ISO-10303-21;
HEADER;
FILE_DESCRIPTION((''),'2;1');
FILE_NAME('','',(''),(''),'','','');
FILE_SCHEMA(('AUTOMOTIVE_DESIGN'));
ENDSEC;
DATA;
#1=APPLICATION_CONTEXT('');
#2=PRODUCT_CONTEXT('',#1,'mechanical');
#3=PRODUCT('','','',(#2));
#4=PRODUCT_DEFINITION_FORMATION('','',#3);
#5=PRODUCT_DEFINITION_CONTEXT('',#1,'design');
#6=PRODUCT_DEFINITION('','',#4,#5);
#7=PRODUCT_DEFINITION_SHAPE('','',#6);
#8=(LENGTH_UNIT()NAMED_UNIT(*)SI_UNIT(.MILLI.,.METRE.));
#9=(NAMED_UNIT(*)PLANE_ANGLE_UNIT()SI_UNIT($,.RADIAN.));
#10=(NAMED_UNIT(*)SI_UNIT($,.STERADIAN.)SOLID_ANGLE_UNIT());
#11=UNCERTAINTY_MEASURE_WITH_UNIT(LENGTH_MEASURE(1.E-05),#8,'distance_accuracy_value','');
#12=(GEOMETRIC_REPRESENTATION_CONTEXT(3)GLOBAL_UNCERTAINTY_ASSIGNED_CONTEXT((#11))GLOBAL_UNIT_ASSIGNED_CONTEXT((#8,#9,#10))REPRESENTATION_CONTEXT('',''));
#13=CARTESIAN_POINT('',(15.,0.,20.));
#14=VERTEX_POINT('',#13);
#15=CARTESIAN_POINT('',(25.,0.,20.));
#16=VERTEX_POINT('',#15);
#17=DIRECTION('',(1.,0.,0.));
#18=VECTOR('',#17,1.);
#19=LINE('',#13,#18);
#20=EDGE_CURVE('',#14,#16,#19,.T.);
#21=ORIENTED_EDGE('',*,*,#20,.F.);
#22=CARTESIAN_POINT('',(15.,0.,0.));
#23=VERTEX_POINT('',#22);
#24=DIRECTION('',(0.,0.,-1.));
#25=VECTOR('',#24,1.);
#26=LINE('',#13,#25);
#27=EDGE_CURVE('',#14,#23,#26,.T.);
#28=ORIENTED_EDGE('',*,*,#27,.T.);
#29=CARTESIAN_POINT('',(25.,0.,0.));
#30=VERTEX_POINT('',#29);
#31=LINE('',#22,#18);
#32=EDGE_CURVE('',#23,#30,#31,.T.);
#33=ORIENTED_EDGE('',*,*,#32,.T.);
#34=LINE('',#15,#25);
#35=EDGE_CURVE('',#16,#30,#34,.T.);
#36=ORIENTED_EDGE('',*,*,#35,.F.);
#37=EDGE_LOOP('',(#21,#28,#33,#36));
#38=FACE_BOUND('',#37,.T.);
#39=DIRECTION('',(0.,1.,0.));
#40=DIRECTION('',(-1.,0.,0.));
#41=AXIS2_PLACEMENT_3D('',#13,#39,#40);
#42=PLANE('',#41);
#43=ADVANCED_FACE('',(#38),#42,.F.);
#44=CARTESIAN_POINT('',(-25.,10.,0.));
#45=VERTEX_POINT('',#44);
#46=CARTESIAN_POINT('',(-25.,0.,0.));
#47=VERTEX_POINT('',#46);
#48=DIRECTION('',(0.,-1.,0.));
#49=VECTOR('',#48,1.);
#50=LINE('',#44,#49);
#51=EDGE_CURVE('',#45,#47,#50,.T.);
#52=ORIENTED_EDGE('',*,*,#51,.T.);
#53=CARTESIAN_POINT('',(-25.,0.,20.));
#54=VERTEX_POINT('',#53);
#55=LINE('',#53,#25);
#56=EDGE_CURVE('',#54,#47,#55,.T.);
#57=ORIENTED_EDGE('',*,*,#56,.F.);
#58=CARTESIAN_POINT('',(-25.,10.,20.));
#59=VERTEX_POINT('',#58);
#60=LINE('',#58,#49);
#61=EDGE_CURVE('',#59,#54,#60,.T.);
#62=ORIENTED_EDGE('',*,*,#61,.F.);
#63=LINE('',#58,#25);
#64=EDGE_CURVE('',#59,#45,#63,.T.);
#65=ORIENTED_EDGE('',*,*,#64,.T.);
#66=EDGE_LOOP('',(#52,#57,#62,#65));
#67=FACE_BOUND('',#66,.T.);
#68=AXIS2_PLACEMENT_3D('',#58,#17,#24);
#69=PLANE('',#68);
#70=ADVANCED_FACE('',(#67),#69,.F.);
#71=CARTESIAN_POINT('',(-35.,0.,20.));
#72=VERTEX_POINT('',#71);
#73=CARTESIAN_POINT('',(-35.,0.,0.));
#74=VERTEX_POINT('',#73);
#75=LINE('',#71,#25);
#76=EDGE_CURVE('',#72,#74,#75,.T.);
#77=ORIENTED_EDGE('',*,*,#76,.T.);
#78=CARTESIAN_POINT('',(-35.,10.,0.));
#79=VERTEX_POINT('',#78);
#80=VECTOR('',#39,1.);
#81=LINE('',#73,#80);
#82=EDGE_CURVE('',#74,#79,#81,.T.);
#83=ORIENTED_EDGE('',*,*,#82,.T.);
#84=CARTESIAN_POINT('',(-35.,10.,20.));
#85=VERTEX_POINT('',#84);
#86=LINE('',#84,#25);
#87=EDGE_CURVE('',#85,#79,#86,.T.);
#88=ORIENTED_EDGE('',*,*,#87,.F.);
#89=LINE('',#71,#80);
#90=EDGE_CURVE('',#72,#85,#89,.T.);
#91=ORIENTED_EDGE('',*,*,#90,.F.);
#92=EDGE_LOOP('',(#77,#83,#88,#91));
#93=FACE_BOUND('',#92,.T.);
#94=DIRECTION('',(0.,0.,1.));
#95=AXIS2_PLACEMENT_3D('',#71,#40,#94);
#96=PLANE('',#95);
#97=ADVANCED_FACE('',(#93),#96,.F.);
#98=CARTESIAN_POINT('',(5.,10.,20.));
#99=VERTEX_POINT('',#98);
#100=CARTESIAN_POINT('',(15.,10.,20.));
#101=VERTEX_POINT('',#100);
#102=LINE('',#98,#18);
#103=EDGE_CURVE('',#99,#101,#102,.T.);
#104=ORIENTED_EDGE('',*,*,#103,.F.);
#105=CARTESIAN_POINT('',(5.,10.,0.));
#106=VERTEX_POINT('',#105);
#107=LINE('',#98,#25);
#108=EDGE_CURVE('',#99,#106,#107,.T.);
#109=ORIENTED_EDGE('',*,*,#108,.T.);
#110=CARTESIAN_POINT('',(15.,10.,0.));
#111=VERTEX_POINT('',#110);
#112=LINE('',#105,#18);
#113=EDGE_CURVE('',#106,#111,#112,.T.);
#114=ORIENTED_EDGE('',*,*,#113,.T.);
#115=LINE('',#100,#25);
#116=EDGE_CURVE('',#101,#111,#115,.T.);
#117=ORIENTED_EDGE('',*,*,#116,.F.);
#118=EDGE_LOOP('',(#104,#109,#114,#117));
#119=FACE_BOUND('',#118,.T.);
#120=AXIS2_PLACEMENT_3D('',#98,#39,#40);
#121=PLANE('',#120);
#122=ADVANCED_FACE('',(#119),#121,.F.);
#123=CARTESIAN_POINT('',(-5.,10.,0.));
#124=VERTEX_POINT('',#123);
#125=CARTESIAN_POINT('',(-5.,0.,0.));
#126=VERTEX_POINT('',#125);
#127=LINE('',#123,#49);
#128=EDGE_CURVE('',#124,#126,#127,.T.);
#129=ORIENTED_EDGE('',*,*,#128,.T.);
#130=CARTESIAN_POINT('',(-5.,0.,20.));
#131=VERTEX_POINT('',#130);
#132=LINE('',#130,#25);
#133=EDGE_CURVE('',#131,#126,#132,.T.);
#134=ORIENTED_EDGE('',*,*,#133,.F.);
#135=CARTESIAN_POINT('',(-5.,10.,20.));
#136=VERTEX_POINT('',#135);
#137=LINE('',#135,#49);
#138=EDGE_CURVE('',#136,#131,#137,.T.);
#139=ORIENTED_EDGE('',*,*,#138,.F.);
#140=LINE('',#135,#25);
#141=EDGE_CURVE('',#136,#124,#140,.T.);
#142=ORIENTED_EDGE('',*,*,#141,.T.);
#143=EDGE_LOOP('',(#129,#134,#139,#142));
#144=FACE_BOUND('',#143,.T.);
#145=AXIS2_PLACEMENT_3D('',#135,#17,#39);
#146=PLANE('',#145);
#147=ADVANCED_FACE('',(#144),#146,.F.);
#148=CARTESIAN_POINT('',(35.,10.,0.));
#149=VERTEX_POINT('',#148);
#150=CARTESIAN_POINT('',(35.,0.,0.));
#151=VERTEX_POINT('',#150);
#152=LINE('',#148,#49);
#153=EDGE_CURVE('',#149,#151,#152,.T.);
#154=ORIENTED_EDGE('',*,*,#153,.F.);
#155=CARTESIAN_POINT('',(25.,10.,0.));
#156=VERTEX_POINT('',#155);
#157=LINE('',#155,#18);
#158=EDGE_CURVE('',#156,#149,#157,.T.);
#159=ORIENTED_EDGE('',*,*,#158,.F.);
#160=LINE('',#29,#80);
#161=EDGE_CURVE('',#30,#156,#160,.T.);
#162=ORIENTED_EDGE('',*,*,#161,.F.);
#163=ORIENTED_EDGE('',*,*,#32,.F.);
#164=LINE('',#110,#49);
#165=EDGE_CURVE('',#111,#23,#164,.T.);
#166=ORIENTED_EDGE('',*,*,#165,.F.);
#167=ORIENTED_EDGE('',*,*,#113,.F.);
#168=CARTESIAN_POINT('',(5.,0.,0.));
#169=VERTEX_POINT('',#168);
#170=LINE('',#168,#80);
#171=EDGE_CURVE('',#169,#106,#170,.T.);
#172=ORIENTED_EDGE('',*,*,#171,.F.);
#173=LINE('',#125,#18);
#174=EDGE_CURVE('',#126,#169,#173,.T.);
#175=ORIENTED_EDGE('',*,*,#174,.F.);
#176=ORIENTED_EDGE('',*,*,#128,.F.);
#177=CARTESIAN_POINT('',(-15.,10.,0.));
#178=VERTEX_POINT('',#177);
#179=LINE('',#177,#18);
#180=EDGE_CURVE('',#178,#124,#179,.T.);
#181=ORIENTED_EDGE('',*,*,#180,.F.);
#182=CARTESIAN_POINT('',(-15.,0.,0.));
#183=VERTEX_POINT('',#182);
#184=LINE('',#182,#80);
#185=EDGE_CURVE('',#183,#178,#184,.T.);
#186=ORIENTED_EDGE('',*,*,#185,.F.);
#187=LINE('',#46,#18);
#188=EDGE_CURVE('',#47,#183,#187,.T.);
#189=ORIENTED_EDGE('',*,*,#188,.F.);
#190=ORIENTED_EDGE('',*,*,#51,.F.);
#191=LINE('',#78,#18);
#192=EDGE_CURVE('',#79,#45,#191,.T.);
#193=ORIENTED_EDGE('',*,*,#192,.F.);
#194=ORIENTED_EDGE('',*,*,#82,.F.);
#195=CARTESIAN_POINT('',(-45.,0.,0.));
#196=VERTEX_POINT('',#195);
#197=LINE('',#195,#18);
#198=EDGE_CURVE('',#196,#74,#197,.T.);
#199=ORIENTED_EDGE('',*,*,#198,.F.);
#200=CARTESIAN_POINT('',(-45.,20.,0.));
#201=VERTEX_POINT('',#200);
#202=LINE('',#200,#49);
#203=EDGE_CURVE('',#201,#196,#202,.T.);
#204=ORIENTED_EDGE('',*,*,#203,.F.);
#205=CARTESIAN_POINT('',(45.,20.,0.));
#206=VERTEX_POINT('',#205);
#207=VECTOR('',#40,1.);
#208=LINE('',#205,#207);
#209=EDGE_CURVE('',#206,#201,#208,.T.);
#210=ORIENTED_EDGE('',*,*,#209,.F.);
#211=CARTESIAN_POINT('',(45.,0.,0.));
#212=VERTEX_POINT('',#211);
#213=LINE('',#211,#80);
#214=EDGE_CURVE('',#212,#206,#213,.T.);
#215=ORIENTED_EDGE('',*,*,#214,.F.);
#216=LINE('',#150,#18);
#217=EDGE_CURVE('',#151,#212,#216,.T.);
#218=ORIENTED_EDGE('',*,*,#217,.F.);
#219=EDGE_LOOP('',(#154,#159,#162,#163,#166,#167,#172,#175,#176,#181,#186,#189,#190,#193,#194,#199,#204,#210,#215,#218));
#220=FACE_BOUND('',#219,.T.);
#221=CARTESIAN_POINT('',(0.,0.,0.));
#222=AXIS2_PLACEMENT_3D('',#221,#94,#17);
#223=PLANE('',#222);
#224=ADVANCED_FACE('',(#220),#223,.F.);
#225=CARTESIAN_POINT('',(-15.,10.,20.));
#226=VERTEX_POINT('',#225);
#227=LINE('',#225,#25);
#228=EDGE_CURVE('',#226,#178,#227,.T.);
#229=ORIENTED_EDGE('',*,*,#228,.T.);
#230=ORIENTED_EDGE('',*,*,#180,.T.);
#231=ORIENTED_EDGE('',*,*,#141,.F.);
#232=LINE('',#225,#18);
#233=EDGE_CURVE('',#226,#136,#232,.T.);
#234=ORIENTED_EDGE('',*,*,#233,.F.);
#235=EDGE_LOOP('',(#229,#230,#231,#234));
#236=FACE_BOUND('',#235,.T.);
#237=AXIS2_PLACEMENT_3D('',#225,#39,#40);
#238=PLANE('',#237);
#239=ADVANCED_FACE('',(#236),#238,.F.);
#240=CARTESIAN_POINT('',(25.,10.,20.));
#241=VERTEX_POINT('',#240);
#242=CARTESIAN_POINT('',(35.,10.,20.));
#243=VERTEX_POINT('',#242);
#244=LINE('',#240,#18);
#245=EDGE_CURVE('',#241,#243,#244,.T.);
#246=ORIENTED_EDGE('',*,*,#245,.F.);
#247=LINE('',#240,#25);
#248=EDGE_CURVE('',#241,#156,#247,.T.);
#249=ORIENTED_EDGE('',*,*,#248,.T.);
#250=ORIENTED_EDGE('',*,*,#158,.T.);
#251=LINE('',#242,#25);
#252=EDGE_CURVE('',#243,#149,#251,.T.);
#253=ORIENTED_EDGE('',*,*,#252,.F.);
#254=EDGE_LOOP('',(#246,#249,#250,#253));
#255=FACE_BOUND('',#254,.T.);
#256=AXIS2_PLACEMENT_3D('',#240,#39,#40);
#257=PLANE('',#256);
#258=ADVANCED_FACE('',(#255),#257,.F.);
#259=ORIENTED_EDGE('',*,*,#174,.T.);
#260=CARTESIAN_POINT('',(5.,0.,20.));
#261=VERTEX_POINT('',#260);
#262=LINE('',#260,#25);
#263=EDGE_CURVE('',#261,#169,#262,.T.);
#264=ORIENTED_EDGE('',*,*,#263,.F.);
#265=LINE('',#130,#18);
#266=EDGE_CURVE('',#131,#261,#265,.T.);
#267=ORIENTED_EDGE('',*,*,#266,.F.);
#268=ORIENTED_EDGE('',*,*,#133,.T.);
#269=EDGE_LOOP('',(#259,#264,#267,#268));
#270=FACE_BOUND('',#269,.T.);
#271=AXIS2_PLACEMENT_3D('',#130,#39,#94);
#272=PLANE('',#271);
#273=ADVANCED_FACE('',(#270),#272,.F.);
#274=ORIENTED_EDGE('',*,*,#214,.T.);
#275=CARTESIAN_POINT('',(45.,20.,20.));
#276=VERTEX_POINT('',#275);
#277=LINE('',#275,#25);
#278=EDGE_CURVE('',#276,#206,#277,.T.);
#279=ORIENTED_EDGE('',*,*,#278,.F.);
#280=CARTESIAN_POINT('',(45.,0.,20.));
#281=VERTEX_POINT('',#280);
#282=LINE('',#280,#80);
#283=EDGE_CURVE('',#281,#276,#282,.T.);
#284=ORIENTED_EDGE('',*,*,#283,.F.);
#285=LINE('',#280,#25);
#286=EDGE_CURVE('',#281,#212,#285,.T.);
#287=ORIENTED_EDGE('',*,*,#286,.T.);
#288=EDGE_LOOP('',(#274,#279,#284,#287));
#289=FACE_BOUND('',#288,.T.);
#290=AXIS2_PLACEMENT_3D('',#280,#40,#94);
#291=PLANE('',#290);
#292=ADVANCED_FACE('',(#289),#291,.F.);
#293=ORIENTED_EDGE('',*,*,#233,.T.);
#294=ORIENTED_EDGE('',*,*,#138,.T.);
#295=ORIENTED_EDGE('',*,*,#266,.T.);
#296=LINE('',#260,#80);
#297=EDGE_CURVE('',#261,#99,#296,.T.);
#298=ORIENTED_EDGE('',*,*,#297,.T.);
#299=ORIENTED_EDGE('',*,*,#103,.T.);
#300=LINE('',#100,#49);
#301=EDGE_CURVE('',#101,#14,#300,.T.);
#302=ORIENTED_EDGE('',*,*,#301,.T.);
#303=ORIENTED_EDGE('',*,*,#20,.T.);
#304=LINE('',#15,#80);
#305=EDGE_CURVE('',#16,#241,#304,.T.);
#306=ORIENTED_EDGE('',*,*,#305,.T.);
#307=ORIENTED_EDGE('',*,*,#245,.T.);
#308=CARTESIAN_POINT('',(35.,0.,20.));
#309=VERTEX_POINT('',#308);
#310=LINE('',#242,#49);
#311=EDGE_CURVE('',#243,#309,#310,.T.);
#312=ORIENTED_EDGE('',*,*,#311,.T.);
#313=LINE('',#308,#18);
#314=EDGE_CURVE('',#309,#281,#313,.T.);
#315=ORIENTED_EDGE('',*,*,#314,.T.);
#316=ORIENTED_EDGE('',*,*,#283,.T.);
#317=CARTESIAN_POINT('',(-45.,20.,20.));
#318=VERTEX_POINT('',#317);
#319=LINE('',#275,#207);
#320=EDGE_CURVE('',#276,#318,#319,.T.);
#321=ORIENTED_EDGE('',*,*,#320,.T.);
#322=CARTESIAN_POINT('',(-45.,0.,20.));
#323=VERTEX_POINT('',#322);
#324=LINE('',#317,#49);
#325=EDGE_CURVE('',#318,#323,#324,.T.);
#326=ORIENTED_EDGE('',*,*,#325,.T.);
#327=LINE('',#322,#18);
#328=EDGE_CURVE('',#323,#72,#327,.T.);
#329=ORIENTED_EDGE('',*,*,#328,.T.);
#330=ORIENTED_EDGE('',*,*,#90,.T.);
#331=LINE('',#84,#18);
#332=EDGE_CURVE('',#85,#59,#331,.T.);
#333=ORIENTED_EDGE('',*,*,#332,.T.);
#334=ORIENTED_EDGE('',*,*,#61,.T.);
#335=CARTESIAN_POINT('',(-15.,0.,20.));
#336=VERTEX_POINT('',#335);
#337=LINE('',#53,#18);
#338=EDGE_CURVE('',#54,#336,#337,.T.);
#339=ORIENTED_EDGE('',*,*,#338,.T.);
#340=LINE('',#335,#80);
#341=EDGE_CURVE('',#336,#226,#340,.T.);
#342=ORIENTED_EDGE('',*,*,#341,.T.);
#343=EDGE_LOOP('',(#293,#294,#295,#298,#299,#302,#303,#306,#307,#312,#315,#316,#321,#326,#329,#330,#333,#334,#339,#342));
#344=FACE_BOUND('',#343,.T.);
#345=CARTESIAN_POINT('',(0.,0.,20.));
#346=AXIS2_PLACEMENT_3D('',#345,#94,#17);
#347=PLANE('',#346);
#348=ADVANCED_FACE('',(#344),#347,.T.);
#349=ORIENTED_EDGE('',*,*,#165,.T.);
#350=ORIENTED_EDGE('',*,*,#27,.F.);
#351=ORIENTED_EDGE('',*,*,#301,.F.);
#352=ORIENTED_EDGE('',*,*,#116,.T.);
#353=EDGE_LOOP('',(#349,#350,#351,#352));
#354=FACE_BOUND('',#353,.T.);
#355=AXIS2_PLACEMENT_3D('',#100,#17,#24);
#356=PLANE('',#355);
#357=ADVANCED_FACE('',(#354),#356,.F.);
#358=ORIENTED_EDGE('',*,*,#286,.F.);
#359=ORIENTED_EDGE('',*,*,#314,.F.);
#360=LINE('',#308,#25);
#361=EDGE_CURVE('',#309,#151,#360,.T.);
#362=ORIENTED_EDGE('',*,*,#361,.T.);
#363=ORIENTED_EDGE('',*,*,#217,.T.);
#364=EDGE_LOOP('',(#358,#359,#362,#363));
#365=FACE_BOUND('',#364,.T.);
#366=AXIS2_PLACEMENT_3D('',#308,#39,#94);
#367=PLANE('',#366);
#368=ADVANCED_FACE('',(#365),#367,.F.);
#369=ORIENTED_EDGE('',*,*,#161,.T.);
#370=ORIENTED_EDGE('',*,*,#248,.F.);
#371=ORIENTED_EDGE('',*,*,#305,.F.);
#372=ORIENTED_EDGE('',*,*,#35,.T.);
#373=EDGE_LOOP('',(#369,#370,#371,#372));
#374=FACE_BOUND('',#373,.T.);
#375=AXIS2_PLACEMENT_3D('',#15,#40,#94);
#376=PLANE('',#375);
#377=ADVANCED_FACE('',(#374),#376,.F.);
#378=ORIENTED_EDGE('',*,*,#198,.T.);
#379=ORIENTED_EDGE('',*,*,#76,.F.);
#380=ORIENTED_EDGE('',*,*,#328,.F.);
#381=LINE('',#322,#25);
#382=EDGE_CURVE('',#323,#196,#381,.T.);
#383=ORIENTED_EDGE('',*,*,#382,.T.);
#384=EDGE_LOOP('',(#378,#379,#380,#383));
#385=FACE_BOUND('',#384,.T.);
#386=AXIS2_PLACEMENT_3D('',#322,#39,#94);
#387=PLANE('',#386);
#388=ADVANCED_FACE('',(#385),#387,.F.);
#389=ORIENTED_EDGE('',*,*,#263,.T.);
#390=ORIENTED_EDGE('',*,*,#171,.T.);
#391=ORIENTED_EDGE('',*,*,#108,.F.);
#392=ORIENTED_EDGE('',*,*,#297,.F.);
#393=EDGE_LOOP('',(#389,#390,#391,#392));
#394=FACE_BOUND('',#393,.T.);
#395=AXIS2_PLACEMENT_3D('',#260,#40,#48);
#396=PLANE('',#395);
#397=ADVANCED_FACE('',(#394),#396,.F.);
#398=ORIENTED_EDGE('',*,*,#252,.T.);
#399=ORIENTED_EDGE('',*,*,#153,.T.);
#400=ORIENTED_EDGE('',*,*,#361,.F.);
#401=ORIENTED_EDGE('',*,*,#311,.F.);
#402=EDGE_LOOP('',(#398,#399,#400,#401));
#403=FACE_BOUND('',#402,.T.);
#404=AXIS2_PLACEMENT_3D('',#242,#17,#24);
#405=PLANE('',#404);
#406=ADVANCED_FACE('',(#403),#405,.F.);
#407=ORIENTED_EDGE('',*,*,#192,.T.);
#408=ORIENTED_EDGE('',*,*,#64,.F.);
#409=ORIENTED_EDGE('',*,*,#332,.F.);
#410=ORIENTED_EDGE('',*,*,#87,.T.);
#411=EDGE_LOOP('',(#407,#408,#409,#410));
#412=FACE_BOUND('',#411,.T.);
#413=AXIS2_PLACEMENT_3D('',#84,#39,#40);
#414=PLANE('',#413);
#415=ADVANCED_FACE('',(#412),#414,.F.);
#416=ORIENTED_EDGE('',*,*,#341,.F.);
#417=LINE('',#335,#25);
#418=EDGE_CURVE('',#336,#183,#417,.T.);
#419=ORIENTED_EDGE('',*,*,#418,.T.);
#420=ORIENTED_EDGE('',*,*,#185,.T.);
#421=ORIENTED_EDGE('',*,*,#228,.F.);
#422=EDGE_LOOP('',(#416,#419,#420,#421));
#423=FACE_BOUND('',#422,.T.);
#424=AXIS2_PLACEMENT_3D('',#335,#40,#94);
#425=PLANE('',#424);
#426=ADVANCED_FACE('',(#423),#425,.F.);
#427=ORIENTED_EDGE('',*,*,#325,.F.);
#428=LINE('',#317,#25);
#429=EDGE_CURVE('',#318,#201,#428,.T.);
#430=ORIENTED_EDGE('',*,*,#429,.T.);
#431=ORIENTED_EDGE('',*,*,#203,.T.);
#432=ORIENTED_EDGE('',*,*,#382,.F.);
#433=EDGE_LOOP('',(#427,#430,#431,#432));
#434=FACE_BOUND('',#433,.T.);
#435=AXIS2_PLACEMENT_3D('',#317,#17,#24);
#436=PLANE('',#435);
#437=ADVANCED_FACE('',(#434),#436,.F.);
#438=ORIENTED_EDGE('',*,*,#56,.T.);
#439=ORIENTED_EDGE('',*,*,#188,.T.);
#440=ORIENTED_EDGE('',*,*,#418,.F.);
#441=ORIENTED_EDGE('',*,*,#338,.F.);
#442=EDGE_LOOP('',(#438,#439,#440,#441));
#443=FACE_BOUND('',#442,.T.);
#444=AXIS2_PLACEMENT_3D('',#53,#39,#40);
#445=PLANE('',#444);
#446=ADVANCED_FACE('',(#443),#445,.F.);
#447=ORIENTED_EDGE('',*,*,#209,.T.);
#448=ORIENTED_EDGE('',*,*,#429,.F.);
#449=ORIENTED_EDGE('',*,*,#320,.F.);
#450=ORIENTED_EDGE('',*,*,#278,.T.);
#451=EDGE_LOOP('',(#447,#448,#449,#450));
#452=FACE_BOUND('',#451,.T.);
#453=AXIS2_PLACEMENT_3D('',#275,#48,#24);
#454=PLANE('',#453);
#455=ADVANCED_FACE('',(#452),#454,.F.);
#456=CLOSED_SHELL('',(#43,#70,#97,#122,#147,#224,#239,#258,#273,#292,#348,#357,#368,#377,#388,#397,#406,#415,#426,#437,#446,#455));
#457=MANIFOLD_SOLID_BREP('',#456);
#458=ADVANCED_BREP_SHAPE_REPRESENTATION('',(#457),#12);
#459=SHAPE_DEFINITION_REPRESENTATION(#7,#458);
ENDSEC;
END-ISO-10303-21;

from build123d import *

# Parameters (mm, degrees)
BOSS_EXTRU_1_DEPTH = 20


with BuildPart() as part:
    # Esquisse1 → Boss.-Extru.1 (new body)
    with BuildSketch(Plane.XY):
        Polygon((-5, 0), (5, 0), (5, 10), (15, 10), (15, 0), (25, 0), (25, 10), (35, 10), (35, 0), (45, 0), (45, 20), (-45, 20), (-45, 0), (-35, 0), (-35, 10), (-25, 10), (-25, 0), (-15, 0), (-15, 10), (-5, 10), align=None)
    extrude(amount=BOSS_EXTRU_1_DEPTH)


solid = part.part
